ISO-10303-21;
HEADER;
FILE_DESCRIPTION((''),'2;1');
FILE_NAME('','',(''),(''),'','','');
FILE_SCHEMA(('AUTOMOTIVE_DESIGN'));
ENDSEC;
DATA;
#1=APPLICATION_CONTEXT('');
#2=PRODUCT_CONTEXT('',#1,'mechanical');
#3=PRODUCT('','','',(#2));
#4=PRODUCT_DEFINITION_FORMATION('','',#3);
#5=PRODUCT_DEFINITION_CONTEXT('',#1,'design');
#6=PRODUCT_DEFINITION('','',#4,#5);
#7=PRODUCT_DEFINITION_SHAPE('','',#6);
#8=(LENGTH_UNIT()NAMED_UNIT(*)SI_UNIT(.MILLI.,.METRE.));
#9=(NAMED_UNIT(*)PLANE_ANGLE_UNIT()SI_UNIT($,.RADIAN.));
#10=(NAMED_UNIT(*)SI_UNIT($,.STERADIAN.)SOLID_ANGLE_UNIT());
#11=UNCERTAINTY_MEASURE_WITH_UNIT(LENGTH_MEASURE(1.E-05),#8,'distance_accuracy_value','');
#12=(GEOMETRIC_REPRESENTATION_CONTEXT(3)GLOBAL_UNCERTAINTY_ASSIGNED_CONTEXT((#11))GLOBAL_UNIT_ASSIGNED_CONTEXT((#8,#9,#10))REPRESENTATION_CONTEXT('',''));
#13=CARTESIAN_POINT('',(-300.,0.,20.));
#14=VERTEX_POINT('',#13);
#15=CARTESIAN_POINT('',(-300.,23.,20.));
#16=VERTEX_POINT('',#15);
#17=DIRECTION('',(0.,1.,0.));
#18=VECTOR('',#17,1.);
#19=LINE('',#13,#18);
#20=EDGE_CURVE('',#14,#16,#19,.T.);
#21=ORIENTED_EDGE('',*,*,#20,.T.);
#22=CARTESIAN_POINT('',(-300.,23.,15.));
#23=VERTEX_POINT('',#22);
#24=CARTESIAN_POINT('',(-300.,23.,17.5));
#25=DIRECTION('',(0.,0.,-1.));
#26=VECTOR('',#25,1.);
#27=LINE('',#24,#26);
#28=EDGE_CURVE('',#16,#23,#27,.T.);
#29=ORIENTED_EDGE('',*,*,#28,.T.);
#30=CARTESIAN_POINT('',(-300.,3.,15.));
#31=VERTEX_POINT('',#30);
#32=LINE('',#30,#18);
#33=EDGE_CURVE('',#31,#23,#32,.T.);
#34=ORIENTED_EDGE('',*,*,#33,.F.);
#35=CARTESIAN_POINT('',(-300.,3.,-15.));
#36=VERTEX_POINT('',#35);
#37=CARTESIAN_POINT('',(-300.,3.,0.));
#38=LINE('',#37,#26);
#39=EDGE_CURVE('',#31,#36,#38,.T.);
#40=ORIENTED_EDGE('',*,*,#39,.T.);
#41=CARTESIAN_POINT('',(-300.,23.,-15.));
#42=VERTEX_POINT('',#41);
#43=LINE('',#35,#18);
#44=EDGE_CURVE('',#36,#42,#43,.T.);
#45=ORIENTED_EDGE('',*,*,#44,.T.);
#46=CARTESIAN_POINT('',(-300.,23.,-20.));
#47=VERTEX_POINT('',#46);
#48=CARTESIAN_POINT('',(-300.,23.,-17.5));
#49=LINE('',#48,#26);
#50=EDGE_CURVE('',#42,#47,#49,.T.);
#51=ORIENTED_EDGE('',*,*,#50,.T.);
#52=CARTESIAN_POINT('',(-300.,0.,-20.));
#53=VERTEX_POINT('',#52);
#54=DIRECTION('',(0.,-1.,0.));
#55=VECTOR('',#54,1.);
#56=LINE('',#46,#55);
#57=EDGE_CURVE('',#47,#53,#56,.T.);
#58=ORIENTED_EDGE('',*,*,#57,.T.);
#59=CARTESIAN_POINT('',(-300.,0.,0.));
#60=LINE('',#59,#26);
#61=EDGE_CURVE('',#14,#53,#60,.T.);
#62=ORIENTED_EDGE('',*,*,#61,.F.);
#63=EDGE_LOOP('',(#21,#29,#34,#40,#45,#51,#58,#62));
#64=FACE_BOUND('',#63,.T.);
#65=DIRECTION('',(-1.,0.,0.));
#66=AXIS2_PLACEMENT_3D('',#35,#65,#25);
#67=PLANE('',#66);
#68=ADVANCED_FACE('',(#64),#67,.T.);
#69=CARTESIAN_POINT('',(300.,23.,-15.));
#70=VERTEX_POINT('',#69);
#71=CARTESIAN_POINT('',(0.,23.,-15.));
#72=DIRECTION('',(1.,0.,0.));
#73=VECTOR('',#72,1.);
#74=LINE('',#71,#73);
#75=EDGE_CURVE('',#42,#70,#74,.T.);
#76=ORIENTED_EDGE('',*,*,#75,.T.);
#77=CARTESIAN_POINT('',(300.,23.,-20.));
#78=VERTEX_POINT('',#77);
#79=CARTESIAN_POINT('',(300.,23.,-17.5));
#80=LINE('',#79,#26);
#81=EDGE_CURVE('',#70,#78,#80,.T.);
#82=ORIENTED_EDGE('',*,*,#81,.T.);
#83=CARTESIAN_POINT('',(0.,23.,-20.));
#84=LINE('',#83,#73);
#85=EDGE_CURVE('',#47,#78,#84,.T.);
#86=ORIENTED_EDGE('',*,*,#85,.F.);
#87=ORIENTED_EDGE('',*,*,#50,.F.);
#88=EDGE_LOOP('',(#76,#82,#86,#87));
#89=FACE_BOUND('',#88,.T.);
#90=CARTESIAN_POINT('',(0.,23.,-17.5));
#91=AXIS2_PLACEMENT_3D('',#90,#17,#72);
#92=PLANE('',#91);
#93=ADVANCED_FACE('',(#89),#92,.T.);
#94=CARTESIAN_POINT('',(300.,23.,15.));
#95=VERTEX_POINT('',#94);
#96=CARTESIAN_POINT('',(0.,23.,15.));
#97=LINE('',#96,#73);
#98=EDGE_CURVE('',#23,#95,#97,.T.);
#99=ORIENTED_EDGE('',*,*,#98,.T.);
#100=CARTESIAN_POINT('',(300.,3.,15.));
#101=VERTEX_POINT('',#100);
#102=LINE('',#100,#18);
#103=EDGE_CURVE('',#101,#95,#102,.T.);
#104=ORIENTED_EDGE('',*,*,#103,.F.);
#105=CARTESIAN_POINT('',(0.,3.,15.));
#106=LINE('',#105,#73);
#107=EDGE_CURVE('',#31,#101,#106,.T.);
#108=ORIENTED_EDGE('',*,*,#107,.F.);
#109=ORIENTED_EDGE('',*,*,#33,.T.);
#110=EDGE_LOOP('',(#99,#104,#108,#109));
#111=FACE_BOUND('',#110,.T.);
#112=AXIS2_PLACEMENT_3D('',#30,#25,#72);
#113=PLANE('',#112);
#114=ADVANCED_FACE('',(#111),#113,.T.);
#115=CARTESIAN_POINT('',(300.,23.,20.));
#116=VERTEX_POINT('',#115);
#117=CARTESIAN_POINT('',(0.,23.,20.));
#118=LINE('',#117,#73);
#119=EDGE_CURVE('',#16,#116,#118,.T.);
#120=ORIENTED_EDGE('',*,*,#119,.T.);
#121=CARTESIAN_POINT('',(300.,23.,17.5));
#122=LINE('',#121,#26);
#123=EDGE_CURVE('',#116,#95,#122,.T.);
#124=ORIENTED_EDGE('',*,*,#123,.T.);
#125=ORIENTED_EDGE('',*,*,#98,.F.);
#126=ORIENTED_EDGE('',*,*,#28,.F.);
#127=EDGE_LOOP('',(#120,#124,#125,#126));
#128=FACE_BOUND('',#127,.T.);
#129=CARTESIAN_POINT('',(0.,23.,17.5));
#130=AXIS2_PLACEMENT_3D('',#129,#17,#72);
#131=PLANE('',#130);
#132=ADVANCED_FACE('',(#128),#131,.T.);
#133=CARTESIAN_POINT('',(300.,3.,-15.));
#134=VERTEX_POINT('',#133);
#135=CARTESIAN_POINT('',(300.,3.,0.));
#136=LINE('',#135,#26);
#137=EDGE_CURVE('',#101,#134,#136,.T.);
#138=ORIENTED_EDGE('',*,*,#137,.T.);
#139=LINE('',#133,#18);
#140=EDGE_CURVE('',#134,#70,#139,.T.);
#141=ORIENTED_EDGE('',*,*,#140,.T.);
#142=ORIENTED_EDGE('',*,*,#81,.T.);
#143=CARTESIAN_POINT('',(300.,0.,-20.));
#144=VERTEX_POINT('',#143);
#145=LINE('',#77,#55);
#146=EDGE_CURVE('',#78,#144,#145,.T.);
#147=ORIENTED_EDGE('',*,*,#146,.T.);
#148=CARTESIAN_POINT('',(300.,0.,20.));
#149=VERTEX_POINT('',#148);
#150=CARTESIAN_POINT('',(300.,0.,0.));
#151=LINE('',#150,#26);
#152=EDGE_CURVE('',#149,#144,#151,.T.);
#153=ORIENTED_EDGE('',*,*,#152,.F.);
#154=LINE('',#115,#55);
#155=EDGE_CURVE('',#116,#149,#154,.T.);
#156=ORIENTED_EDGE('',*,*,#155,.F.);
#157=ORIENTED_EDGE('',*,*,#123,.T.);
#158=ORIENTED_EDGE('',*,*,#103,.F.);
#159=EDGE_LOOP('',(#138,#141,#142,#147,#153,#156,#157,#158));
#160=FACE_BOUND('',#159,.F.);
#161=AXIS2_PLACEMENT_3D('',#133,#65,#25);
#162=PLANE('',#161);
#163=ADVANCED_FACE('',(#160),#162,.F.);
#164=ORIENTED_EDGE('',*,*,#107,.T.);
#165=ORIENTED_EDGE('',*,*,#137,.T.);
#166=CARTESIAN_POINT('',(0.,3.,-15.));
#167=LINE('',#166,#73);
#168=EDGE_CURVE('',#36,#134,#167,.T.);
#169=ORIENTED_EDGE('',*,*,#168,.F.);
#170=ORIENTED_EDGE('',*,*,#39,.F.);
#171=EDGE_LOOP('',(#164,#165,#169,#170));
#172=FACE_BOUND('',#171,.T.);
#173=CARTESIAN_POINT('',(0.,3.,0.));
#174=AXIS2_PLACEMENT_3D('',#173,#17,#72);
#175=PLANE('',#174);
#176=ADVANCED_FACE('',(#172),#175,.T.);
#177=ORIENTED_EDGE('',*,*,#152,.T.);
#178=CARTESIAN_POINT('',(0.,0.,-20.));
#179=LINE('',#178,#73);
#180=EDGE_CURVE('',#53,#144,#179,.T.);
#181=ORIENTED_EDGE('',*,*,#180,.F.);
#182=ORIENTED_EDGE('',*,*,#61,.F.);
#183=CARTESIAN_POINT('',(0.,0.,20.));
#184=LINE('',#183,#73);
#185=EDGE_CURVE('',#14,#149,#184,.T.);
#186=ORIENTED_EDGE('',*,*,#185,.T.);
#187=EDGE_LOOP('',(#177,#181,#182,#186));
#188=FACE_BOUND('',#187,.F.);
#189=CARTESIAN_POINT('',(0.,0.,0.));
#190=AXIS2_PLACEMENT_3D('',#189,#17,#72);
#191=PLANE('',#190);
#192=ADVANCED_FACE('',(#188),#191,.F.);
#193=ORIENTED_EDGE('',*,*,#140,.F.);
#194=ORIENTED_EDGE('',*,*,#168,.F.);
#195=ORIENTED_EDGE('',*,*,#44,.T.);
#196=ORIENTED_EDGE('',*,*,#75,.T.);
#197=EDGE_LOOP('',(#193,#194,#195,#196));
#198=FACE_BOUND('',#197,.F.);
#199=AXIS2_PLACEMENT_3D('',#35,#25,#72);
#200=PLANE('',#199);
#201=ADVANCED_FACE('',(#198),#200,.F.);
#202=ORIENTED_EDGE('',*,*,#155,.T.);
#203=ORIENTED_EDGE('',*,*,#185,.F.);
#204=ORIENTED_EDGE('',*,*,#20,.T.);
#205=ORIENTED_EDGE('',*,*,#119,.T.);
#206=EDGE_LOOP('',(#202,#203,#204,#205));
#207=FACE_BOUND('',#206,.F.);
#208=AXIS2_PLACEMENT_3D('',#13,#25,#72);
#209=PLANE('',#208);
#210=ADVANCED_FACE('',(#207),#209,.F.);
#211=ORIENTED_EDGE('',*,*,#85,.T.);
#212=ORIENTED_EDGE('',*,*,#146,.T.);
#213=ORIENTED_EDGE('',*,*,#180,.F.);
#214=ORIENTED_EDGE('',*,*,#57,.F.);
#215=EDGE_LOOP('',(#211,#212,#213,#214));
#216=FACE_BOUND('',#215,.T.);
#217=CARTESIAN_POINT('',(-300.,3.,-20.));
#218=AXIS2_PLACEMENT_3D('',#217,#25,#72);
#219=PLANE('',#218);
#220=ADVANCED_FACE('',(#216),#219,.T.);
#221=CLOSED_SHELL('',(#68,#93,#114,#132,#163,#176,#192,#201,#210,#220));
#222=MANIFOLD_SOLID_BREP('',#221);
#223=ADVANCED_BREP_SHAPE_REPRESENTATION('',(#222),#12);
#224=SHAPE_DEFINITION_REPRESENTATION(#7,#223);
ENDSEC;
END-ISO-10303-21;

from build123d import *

# Parameters (mm, degrees)
SKETCH1_W           = 600
SKETCH1_H           = 40
BOSS_EXTRUDE1_DEPTH = 3
SKETCH2_W           = 600
SKETCH2_H           = 5
BOSS_EXTRUDE2_DEPTH = 20


with BuildPart() as part:
    # Sketch1 → Boss-Extrude1 (new body)
    with BuildSketch(Plane(origin=(0, 0, 0), x_dir=(1, 0, 0), z_dir=(0, 1, 0))):
        Rectangle(SKETCH1_W, SKETCH1_H)
    extrude(amount=BOSS_EXTRUDE1_DEPTH)

    # Sketch2 → Boss-Extrude2 (add)
    with BuildSketch(Plane(origin=(0, 3, 0), x_dir=(1, 0, 0), z_dir=(0, 1, 0))):
        with Locations((0, 17.5)):
            Rectangle(SKETCH2_W, SKETCH2_H)
        with Locations((0, -17.5)):
            Rectangle(SKETCH2_W, SKETCH2_H)
    extrude(amount=BOSS_EXTRUDE2_DEPTH)


solid = part.part
